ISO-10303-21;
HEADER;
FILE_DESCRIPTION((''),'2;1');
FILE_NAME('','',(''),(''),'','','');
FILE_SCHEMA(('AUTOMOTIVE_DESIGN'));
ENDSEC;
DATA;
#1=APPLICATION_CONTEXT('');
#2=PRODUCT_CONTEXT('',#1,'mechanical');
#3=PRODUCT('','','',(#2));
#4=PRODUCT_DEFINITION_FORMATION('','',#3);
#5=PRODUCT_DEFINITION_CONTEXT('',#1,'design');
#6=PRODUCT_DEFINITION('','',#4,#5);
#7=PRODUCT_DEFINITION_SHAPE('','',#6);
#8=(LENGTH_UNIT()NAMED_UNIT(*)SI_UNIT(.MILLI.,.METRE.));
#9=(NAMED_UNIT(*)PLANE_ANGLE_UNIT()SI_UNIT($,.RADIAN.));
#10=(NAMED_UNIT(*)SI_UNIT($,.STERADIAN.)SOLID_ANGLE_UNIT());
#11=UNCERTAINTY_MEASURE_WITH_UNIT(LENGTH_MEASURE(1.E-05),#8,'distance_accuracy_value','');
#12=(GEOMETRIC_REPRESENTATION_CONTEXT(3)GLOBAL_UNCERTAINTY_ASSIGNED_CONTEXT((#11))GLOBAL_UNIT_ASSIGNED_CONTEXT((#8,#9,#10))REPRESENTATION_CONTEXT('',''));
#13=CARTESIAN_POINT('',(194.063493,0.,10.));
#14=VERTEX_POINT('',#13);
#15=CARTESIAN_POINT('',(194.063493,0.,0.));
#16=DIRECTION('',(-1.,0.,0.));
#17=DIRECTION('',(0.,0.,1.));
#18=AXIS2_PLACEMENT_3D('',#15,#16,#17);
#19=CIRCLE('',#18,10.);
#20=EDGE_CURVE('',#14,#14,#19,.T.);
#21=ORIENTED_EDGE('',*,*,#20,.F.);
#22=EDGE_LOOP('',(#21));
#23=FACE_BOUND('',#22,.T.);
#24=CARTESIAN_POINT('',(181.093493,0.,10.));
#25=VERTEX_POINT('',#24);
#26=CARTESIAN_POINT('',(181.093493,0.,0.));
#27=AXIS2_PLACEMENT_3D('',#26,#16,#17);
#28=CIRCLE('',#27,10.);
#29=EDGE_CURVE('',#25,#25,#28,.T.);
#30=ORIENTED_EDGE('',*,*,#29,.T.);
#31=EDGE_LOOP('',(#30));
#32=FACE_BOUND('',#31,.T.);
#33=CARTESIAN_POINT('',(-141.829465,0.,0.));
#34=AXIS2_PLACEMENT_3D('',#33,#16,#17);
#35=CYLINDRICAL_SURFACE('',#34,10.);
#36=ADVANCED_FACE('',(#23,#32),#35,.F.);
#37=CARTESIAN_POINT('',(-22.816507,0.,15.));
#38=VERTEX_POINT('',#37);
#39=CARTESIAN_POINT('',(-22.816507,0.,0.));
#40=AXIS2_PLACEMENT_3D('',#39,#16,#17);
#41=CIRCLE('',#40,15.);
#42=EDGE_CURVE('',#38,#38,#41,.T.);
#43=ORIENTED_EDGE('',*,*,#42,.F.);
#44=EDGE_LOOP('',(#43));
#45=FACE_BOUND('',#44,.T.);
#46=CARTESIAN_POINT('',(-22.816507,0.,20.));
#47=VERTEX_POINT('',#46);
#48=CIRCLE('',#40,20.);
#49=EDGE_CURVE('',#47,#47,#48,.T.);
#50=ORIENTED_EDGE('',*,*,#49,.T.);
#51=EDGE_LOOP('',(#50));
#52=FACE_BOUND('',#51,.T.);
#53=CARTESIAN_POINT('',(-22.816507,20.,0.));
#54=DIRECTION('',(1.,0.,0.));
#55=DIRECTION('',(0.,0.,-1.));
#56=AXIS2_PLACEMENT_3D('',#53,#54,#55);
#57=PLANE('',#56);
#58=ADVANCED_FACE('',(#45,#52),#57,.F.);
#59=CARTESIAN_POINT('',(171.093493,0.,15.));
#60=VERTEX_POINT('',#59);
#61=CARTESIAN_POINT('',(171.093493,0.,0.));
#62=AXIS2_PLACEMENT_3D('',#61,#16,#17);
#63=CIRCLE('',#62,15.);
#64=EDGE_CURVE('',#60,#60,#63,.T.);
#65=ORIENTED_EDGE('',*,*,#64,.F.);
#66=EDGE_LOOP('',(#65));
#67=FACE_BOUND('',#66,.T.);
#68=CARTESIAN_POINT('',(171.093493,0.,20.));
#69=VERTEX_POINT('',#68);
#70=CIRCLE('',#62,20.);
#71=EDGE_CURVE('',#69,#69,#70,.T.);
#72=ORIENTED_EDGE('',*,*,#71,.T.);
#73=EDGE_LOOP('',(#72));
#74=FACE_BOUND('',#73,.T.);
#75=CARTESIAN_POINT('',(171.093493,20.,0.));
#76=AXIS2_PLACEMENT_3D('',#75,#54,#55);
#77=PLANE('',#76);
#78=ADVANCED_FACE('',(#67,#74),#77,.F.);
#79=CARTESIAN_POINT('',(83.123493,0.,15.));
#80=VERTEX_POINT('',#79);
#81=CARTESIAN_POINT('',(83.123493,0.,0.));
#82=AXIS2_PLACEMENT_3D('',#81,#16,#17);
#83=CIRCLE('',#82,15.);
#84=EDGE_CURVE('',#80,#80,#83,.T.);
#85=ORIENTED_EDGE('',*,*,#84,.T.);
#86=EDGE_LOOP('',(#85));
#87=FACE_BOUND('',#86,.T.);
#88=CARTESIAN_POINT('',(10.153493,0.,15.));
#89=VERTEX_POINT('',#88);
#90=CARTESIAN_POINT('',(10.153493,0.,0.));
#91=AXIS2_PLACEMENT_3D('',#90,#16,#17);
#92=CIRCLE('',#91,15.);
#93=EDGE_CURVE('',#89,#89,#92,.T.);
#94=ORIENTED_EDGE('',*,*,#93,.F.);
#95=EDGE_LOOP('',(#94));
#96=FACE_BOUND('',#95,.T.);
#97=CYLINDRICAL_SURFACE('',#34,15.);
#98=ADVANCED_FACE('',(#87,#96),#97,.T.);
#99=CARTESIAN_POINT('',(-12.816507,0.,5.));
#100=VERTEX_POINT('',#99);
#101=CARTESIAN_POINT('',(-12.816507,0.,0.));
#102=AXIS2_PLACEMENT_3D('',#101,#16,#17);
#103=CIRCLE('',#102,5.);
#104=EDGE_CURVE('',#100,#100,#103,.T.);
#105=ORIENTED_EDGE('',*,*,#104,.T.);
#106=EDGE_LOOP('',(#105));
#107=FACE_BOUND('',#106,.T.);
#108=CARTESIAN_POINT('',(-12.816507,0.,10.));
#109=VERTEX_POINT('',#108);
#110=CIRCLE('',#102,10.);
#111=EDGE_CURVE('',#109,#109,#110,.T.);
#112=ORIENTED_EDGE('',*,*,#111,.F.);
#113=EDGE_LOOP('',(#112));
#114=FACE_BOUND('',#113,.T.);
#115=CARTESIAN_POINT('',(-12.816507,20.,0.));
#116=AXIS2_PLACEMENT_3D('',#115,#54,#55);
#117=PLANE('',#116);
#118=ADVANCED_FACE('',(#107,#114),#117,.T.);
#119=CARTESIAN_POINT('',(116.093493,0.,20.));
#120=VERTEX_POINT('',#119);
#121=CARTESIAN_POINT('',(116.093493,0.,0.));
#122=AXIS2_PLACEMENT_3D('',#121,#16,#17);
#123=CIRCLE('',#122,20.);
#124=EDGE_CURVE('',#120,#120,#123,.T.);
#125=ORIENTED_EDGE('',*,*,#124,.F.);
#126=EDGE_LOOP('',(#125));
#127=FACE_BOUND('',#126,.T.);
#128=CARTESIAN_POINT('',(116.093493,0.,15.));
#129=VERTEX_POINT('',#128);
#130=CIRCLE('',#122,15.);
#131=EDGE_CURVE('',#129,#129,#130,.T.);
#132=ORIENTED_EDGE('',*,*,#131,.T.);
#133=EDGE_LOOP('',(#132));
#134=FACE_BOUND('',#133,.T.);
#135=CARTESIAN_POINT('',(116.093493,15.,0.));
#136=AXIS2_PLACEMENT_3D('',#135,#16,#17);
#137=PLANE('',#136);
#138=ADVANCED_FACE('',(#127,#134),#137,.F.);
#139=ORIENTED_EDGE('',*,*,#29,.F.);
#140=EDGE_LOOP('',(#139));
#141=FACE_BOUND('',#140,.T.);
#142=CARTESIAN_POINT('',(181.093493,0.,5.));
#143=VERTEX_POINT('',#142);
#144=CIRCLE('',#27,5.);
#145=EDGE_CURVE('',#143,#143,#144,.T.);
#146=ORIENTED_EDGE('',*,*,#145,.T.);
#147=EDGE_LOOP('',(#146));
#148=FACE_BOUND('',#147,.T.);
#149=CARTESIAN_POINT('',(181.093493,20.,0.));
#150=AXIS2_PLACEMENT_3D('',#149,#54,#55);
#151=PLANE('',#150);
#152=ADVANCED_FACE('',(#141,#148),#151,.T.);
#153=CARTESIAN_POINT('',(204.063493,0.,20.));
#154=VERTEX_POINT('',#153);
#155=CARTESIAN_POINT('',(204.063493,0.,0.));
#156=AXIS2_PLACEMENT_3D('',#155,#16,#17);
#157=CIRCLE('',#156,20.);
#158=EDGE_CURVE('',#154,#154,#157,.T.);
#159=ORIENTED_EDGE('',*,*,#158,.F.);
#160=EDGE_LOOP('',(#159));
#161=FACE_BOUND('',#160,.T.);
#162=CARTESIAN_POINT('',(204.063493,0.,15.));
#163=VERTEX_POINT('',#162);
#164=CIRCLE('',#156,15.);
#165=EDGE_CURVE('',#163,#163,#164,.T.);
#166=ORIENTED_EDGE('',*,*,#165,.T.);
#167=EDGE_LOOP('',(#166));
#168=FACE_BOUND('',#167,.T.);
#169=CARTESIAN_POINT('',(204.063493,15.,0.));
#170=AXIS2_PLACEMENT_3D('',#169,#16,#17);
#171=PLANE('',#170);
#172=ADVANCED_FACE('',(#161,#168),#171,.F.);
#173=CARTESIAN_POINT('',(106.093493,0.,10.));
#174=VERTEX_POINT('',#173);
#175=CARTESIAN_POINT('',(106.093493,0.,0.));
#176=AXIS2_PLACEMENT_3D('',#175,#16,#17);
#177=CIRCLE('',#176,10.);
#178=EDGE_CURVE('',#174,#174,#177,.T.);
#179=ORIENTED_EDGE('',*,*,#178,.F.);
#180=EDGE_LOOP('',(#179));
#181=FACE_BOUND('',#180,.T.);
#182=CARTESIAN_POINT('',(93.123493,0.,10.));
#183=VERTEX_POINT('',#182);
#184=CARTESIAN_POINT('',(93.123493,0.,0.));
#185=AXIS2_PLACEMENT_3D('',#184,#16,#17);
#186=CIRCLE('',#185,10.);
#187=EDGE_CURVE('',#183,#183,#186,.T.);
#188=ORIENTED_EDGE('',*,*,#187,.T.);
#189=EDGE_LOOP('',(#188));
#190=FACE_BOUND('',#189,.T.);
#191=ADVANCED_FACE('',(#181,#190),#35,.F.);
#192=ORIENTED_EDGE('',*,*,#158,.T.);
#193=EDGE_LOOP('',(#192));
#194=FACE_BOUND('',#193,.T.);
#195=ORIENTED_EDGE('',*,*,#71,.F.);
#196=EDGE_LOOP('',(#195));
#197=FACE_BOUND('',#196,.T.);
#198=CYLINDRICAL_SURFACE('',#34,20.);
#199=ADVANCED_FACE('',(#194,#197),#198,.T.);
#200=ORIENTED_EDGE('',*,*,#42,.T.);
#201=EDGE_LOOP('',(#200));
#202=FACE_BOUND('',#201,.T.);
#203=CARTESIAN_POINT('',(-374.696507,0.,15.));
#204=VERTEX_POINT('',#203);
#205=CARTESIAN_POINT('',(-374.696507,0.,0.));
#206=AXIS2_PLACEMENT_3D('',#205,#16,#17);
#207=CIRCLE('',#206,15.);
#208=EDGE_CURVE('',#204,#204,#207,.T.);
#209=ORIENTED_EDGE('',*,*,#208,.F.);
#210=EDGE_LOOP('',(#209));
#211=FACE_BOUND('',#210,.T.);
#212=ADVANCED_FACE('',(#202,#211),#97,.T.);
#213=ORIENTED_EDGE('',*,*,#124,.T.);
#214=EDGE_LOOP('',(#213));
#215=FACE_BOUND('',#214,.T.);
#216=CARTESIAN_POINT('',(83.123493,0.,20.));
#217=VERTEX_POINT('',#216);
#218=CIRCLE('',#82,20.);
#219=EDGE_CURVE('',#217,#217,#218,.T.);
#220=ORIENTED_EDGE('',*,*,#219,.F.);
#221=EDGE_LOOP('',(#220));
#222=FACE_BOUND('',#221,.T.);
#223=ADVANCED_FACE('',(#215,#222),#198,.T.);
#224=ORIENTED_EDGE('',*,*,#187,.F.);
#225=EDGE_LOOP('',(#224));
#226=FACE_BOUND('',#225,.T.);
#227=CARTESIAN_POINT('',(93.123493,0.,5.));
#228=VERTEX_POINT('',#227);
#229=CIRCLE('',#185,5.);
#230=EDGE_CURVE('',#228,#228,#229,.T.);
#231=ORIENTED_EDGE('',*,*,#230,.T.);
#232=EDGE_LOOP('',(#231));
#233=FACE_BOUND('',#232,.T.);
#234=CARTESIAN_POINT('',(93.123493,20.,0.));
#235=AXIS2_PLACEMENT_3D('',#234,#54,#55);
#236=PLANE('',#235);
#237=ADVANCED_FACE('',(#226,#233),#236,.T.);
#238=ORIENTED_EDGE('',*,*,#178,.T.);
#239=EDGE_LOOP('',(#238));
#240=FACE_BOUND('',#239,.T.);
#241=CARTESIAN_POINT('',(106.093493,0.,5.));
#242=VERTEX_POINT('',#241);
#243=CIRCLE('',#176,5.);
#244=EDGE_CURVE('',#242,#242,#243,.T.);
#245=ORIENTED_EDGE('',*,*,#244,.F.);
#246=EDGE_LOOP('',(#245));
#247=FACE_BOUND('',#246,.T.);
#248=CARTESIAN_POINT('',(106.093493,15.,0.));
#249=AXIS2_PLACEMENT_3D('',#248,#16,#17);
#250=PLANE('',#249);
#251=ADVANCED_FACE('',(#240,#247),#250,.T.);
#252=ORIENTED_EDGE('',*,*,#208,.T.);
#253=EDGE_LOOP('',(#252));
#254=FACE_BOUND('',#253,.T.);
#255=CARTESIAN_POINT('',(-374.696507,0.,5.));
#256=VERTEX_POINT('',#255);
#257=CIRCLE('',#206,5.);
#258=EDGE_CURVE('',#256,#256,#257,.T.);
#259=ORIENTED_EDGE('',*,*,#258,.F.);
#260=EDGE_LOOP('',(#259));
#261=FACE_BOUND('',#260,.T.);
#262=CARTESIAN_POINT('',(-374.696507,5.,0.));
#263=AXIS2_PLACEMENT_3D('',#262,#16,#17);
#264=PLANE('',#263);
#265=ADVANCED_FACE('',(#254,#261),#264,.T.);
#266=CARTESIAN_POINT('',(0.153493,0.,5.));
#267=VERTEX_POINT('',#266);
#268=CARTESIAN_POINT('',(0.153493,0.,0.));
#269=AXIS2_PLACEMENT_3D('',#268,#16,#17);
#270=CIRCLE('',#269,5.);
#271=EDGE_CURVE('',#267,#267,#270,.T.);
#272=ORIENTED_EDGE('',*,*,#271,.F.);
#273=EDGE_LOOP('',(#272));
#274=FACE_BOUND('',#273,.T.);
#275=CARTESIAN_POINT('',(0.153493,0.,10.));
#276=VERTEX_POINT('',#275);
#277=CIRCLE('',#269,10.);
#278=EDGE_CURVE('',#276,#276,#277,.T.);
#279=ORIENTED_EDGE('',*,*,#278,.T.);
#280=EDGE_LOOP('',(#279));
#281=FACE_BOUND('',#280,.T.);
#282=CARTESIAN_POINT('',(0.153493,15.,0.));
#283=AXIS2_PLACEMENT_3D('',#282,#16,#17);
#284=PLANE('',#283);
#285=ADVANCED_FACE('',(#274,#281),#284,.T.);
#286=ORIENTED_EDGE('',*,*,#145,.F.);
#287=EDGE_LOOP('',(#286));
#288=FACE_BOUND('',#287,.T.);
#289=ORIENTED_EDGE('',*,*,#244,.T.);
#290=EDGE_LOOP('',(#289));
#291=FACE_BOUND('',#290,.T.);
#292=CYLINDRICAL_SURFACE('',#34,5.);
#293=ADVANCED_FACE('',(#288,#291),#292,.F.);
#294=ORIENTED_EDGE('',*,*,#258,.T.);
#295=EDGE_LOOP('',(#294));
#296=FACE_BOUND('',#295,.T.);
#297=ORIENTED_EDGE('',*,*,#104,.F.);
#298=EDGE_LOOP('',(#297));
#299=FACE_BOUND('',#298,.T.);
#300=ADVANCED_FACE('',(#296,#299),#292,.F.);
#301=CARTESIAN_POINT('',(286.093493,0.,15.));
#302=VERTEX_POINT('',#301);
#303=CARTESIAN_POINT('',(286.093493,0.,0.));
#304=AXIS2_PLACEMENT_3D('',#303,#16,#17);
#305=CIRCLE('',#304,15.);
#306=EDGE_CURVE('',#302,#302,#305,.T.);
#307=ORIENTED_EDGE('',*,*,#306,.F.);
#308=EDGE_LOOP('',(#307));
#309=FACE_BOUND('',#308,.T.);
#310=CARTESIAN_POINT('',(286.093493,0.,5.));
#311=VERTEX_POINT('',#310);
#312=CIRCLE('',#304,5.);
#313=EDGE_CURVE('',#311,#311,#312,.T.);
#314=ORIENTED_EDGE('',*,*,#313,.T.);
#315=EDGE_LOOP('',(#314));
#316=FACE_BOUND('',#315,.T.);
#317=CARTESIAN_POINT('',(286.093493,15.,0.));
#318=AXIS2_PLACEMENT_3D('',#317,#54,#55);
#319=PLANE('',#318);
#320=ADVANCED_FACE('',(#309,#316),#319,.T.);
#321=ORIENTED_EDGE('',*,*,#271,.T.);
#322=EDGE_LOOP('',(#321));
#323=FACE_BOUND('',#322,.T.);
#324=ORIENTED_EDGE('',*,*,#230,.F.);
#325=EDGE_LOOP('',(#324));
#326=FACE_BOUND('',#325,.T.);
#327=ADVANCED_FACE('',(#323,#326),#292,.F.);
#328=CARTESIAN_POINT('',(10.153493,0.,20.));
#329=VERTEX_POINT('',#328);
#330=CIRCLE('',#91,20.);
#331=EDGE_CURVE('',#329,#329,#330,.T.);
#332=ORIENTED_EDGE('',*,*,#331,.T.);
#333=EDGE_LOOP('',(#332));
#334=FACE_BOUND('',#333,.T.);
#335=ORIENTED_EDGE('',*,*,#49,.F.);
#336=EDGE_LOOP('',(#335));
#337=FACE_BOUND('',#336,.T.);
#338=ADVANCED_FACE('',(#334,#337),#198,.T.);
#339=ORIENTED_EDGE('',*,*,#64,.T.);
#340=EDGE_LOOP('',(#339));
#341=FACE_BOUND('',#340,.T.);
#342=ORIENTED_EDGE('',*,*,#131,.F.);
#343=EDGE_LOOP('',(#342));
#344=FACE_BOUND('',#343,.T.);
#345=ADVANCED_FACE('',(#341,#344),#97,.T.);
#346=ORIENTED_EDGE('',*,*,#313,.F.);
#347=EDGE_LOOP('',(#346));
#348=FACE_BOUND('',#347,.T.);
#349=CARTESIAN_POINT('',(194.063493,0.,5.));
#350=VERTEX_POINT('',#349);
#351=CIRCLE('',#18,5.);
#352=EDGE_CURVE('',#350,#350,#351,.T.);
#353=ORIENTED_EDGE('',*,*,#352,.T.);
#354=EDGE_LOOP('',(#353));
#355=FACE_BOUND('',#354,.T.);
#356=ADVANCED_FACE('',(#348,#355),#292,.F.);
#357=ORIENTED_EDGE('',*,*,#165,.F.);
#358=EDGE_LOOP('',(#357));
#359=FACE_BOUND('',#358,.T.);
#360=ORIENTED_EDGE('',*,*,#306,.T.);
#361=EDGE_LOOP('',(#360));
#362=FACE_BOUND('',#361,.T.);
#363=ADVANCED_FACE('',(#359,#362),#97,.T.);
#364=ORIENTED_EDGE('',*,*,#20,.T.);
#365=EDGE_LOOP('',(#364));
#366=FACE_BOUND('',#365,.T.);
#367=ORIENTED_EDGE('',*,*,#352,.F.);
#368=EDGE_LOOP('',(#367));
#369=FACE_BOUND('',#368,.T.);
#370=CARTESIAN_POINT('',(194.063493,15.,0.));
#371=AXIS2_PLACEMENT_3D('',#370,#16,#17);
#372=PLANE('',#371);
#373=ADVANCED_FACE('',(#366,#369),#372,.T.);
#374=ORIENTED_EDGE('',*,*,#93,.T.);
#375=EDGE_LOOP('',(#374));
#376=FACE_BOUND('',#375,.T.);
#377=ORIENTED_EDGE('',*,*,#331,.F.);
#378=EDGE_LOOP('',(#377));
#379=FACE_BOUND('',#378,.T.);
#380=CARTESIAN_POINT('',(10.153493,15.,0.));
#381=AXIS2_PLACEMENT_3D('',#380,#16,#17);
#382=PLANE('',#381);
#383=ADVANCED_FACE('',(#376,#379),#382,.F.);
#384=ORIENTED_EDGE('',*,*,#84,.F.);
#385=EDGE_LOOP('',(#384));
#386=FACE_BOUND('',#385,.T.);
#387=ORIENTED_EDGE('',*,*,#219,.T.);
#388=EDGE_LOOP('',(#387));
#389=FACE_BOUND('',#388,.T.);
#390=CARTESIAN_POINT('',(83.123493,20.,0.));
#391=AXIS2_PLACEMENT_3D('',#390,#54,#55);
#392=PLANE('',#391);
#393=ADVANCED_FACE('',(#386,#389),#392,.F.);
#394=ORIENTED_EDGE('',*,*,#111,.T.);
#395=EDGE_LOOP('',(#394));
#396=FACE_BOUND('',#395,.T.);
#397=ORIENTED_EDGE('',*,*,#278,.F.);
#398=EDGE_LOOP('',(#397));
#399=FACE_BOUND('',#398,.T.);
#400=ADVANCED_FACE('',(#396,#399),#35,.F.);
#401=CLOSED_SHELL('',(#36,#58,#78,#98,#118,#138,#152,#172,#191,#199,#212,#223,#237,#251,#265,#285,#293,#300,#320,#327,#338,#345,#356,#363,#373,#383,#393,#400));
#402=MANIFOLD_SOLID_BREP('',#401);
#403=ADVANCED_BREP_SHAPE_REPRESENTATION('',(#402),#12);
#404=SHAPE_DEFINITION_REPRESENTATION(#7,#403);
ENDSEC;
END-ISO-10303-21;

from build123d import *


with BuildPart() as part:
    # Sketch1 → Revolve-Thin1 (revolve)
    with BuildSketch(Plane.XY):
        Polygon((286.093493363, 15), (204.063493363, 15), (204.063493363, 20), (171.093493363, 20), (171.093493363, 15), (116.093493363, 15), (116.093493363, 20), (83.123493363, 20), (83.123493363, 15), (10.153493363, 15), (10.153493363, 20), (-22.816506637, 20), (-22.816506637, 15), (-143.276508184, 15), (-374.696506637, 15), (-374.696506637, 5), (-143.276508184, 5), (-12.816506637, 5), (-12.816506637, 10), (0.153493363, 10), (0.153493363, 5), (93.123493363, 5), (93.123493363, 10), (106.093493363, 10), (106.093493363, 5), (181.093493363, 5), (181.093493363, 10), (194.063493363, 10), (194.063493363, 5), (286.093493363, 5), align=None)
    revolve(axis=Axis((-141.82946491, 0, 0), (1, 0, 0)))


solid = part.part
